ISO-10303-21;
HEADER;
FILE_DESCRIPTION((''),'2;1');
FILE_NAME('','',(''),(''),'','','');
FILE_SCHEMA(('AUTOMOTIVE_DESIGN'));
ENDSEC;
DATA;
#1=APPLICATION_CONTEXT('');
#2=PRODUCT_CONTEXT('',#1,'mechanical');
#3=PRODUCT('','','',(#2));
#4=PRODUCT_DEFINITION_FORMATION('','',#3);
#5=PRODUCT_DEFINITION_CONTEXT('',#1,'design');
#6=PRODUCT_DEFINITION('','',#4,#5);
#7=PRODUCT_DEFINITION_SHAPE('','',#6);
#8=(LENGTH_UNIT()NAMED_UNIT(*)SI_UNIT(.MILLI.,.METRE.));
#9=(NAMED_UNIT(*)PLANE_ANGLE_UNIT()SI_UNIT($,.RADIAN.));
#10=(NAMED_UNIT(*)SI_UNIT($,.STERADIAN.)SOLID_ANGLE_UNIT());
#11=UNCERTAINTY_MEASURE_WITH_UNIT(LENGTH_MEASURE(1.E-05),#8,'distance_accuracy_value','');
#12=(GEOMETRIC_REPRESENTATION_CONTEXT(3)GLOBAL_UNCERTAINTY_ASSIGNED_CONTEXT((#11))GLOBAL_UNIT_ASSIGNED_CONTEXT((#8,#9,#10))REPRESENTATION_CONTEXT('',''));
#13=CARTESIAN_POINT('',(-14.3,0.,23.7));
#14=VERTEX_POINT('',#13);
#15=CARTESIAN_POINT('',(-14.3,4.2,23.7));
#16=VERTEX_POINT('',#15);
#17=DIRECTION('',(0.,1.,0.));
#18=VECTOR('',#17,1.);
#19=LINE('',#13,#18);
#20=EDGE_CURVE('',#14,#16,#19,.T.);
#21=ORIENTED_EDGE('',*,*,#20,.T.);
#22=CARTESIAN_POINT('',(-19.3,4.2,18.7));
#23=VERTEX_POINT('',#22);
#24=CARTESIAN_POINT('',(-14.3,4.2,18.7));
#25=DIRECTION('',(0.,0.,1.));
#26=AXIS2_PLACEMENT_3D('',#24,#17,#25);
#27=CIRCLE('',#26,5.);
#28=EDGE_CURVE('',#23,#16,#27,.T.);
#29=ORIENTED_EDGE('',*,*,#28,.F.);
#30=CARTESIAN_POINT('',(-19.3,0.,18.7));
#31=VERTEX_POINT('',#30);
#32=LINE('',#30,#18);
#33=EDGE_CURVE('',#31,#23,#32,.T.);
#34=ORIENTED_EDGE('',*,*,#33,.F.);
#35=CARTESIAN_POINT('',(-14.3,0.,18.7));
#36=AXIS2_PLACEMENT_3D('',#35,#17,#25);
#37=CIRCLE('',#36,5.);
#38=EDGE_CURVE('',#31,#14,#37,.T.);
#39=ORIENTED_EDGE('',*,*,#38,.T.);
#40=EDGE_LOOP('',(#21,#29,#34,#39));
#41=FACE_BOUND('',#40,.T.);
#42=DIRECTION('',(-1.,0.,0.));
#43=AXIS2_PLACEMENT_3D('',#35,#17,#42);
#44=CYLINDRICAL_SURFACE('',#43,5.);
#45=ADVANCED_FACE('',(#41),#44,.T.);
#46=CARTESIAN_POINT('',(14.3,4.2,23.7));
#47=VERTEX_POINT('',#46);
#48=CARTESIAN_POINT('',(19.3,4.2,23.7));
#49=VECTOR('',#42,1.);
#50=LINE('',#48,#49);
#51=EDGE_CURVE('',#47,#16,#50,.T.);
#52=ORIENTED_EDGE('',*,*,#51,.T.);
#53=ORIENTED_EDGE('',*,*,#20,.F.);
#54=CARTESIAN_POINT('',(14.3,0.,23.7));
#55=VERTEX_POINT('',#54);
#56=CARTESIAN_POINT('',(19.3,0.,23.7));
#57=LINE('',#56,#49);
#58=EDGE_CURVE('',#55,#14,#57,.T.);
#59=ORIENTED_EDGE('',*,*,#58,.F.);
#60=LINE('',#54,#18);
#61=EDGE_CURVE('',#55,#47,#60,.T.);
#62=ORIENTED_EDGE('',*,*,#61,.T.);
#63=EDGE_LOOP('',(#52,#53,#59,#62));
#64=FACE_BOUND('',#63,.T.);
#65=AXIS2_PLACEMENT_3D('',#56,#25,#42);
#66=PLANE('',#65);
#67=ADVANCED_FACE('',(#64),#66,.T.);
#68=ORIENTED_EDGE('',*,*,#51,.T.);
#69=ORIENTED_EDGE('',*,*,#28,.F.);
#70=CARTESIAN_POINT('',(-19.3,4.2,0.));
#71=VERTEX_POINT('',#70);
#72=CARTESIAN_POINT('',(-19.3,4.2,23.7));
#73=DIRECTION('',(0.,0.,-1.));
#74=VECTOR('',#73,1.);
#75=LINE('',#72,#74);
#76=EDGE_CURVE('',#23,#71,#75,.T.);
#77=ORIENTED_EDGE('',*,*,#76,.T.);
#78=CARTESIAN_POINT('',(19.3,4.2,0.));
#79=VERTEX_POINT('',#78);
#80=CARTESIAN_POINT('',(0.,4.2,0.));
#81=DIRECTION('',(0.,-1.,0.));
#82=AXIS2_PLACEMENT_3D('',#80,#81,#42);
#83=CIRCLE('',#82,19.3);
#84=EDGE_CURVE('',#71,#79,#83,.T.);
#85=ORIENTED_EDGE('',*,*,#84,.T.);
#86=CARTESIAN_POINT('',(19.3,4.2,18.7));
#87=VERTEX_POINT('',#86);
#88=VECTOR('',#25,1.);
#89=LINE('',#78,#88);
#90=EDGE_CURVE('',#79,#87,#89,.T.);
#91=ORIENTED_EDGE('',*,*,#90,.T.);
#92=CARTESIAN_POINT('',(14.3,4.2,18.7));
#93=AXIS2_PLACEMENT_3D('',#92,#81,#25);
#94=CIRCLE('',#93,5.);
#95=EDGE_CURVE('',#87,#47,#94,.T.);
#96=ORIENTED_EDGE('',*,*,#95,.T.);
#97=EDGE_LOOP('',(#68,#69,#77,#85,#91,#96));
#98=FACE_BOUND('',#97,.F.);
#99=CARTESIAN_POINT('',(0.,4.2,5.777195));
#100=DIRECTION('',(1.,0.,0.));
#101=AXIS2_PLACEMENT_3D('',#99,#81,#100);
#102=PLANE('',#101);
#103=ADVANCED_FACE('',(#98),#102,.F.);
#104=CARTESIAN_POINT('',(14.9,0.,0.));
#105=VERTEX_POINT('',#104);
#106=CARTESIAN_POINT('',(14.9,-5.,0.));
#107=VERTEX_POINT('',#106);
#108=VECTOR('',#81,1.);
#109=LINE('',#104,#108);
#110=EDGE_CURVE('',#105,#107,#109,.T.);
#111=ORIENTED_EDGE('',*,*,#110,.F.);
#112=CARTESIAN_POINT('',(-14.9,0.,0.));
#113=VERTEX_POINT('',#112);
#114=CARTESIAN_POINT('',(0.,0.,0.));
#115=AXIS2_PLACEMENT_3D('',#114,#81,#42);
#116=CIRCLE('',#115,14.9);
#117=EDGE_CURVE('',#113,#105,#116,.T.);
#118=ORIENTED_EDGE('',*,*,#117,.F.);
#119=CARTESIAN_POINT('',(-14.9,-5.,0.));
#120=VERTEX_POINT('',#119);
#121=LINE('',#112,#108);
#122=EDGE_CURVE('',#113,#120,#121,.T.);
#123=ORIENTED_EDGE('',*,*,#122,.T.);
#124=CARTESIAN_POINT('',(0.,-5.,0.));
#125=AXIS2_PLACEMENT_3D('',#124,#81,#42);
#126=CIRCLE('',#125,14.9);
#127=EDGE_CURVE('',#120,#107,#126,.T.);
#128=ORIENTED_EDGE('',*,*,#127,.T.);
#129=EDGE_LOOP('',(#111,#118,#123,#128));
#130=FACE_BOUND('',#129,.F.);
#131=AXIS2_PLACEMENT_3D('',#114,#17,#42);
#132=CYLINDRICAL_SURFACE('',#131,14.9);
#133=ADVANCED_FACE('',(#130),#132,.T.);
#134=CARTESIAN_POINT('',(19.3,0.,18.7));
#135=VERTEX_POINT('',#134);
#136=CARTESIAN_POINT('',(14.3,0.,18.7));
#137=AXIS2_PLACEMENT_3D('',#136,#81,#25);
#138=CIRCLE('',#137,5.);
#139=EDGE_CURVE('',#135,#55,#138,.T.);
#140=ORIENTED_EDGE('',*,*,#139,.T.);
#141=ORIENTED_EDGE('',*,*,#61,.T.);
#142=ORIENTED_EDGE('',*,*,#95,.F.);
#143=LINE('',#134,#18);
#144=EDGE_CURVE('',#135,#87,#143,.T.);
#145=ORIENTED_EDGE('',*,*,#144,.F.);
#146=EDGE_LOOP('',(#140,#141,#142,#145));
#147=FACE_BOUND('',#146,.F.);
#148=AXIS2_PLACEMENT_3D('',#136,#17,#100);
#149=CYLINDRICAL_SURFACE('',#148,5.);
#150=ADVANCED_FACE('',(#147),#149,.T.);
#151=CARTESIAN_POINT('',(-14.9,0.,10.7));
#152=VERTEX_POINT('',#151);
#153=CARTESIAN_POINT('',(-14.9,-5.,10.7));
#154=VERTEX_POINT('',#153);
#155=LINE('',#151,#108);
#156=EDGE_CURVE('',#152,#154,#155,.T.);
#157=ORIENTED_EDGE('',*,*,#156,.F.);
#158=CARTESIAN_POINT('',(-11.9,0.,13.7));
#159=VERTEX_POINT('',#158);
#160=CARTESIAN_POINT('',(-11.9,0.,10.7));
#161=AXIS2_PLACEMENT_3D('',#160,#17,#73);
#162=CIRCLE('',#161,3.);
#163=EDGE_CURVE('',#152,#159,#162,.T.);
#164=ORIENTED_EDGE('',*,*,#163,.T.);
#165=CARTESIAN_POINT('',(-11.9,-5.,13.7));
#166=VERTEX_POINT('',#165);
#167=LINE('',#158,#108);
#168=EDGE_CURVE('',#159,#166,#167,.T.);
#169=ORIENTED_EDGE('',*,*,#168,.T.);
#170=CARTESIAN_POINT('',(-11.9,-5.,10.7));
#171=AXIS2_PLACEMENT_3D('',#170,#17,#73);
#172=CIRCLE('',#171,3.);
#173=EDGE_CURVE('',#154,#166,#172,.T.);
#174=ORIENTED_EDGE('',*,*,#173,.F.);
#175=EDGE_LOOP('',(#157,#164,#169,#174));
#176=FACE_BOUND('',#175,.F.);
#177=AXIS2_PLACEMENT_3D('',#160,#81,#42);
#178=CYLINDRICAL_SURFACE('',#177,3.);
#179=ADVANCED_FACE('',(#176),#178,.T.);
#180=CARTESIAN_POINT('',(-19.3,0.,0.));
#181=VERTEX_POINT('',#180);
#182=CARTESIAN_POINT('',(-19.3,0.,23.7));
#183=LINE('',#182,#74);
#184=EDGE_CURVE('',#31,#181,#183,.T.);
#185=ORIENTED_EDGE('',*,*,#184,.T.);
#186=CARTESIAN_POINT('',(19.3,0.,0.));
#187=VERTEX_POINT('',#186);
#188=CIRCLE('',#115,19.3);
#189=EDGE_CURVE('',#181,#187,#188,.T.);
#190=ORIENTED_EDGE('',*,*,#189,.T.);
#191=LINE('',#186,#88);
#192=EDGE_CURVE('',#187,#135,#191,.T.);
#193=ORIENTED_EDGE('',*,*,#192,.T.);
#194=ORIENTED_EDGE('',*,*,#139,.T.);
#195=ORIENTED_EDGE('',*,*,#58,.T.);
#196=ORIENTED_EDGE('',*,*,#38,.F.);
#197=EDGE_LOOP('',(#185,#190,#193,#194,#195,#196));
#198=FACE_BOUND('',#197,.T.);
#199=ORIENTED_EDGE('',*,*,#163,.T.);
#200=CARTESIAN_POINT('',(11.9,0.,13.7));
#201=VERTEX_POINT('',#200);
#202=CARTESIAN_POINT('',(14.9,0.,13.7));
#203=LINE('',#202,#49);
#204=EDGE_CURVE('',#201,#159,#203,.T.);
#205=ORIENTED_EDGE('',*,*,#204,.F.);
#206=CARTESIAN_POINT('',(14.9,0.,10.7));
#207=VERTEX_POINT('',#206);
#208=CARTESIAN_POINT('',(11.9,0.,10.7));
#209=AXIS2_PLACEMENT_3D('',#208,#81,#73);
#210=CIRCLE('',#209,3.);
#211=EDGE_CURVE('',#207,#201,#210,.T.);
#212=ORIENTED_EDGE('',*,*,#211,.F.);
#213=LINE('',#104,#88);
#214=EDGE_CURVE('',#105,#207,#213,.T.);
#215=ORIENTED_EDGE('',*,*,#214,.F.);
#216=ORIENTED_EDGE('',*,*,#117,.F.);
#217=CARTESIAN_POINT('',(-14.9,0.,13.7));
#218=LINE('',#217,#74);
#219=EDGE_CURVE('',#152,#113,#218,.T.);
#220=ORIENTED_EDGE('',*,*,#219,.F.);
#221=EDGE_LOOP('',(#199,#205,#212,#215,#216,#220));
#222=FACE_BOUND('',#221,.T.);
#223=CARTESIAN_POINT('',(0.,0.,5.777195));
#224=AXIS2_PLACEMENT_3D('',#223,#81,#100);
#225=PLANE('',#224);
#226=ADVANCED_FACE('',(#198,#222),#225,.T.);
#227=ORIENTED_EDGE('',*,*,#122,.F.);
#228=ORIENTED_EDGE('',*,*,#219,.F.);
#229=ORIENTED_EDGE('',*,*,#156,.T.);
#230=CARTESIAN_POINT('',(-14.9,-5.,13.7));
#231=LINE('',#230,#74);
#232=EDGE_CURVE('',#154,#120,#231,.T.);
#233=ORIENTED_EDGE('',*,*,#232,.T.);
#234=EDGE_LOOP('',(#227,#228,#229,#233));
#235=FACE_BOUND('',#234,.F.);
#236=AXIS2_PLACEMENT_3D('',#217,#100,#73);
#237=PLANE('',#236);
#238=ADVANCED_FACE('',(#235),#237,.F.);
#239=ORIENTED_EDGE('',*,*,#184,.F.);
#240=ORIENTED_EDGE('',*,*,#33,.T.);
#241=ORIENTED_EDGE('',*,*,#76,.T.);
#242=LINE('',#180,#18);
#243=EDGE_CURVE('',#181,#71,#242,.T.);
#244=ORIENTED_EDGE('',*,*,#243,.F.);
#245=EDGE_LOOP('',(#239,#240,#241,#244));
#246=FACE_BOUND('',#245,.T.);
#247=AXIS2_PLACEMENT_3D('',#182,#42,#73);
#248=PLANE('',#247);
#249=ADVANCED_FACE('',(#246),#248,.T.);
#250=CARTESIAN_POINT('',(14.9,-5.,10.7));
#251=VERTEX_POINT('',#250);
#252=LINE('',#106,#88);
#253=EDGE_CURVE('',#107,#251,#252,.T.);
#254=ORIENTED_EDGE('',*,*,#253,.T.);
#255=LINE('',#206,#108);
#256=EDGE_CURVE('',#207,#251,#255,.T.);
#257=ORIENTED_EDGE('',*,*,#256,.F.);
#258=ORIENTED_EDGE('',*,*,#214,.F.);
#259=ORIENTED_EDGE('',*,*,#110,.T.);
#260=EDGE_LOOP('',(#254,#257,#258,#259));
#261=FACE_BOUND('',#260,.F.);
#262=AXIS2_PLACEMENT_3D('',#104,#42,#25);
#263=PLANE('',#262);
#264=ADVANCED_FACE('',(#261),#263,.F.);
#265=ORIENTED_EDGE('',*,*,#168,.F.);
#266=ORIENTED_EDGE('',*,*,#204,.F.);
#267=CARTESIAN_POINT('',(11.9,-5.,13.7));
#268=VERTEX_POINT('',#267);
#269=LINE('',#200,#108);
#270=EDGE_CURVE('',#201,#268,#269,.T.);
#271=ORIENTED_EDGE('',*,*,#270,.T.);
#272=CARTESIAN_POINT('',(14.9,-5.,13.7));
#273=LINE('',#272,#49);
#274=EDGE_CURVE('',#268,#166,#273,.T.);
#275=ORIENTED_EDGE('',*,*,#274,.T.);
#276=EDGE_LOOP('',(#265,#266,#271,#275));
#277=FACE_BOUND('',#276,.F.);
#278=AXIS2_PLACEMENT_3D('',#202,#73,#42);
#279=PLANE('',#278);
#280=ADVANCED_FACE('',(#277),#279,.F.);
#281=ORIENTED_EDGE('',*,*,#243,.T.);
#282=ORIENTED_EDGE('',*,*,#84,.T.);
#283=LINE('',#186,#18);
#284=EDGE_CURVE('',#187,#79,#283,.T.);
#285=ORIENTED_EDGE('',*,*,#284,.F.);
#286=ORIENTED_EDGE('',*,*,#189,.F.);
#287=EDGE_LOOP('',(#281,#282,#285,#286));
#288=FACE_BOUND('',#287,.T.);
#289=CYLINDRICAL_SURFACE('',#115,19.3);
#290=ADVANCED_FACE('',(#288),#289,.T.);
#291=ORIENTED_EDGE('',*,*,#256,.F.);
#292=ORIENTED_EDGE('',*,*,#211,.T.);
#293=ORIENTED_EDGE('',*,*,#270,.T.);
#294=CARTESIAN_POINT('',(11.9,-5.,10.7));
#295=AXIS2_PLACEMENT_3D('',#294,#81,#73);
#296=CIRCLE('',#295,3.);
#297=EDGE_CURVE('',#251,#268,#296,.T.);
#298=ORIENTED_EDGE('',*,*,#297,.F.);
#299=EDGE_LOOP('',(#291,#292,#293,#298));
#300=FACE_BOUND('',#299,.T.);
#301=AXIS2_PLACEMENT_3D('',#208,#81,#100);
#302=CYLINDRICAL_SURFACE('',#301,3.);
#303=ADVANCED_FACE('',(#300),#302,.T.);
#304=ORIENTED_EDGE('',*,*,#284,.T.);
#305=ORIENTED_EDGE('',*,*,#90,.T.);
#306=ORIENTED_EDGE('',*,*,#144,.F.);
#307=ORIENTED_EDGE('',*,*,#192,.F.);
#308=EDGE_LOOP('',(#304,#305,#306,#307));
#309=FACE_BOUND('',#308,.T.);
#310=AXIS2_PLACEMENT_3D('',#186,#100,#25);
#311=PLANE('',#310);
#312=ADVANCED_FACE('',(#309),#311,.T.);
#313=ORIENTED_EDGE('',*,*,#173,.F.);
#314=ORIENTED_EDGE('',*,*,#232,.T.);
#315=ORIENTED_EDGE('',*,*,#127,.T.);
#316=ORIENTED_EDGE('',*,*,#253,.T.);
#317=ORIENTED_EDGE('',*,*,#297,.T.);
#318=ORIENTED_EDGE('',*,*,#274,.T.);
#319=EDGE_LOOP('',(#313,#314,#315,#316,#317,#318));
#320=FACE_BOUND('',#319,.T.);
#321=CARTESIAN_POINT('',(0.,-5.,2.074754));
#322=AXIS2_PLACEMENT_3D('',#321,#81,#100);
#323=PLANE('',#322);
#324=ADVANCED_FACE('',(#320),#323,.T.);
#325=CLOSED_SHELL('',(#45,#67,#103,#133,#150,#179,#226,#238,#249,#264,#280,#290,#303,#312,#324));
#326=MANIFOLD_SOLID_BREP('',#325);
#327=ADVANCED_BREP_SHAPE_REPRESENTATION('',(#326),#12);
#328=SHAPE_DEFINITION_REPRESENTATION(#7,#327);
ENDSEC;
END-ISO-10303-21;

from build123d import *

# Parameters (mm, degrees)
F1_DEPTH = 4.2
F3_DEPTH = 5
F4_R     = 5
F5_R     = 3


with BuildPart() as f1:
    # F0 (on Front) → F1 (new body)
    with BuildSketch(Plane.XZ):
        with BuildLine():
            Line((-19.3, 13.7), (-19.3, 0))
            ThreePointArc((-19.3, 0), (0, -19.3), (19.3, 0))
            Line((19.3, 0), (19.3, 13.7))
            Line((19.3, 13.7), (19.3, 23.7))
            Line((19.3, 23.7), (-19.3, 23.7))
            Line((-19.3, 23.7), (-19.3, 13.7))
        make_face()
    extrude(amount=-F1_DEPTH)

    # F2 (on Front) → F3 (join)
    with BuildSketch(Plane.XZ):
        with BuildLine():
            Line((-14.9, 13.7), (-14.9, 0))
            ThreePointArc((-14.9, 0), (0, -14.9), (14.9, 0))
            Line((14.9, 0), (14.9, 13.7))
            Line((14.9, 13.7), (-14.9, 13.7))
        make_face()
    extrude(amount=F3_DEPTH)

    # F4
    f4_edges = [f1.edges().sort_by_distance(p)[0] for p in [
        (-19.3, 2.1, 23.7),
        (19.3, 2.1, 23.7),
    ]]
    fillet(f4_edges, radius=F4_R)

    # F5
    f5_edges = [f1.edges().sort_by_distance(p)[0] for p in [
        (-14.9, -2.5, 13.7),
        (14.9, -2.5, 13.7),
    ]]
    fillet(f5_edges, radius=F5_R)


solid = f1.part
